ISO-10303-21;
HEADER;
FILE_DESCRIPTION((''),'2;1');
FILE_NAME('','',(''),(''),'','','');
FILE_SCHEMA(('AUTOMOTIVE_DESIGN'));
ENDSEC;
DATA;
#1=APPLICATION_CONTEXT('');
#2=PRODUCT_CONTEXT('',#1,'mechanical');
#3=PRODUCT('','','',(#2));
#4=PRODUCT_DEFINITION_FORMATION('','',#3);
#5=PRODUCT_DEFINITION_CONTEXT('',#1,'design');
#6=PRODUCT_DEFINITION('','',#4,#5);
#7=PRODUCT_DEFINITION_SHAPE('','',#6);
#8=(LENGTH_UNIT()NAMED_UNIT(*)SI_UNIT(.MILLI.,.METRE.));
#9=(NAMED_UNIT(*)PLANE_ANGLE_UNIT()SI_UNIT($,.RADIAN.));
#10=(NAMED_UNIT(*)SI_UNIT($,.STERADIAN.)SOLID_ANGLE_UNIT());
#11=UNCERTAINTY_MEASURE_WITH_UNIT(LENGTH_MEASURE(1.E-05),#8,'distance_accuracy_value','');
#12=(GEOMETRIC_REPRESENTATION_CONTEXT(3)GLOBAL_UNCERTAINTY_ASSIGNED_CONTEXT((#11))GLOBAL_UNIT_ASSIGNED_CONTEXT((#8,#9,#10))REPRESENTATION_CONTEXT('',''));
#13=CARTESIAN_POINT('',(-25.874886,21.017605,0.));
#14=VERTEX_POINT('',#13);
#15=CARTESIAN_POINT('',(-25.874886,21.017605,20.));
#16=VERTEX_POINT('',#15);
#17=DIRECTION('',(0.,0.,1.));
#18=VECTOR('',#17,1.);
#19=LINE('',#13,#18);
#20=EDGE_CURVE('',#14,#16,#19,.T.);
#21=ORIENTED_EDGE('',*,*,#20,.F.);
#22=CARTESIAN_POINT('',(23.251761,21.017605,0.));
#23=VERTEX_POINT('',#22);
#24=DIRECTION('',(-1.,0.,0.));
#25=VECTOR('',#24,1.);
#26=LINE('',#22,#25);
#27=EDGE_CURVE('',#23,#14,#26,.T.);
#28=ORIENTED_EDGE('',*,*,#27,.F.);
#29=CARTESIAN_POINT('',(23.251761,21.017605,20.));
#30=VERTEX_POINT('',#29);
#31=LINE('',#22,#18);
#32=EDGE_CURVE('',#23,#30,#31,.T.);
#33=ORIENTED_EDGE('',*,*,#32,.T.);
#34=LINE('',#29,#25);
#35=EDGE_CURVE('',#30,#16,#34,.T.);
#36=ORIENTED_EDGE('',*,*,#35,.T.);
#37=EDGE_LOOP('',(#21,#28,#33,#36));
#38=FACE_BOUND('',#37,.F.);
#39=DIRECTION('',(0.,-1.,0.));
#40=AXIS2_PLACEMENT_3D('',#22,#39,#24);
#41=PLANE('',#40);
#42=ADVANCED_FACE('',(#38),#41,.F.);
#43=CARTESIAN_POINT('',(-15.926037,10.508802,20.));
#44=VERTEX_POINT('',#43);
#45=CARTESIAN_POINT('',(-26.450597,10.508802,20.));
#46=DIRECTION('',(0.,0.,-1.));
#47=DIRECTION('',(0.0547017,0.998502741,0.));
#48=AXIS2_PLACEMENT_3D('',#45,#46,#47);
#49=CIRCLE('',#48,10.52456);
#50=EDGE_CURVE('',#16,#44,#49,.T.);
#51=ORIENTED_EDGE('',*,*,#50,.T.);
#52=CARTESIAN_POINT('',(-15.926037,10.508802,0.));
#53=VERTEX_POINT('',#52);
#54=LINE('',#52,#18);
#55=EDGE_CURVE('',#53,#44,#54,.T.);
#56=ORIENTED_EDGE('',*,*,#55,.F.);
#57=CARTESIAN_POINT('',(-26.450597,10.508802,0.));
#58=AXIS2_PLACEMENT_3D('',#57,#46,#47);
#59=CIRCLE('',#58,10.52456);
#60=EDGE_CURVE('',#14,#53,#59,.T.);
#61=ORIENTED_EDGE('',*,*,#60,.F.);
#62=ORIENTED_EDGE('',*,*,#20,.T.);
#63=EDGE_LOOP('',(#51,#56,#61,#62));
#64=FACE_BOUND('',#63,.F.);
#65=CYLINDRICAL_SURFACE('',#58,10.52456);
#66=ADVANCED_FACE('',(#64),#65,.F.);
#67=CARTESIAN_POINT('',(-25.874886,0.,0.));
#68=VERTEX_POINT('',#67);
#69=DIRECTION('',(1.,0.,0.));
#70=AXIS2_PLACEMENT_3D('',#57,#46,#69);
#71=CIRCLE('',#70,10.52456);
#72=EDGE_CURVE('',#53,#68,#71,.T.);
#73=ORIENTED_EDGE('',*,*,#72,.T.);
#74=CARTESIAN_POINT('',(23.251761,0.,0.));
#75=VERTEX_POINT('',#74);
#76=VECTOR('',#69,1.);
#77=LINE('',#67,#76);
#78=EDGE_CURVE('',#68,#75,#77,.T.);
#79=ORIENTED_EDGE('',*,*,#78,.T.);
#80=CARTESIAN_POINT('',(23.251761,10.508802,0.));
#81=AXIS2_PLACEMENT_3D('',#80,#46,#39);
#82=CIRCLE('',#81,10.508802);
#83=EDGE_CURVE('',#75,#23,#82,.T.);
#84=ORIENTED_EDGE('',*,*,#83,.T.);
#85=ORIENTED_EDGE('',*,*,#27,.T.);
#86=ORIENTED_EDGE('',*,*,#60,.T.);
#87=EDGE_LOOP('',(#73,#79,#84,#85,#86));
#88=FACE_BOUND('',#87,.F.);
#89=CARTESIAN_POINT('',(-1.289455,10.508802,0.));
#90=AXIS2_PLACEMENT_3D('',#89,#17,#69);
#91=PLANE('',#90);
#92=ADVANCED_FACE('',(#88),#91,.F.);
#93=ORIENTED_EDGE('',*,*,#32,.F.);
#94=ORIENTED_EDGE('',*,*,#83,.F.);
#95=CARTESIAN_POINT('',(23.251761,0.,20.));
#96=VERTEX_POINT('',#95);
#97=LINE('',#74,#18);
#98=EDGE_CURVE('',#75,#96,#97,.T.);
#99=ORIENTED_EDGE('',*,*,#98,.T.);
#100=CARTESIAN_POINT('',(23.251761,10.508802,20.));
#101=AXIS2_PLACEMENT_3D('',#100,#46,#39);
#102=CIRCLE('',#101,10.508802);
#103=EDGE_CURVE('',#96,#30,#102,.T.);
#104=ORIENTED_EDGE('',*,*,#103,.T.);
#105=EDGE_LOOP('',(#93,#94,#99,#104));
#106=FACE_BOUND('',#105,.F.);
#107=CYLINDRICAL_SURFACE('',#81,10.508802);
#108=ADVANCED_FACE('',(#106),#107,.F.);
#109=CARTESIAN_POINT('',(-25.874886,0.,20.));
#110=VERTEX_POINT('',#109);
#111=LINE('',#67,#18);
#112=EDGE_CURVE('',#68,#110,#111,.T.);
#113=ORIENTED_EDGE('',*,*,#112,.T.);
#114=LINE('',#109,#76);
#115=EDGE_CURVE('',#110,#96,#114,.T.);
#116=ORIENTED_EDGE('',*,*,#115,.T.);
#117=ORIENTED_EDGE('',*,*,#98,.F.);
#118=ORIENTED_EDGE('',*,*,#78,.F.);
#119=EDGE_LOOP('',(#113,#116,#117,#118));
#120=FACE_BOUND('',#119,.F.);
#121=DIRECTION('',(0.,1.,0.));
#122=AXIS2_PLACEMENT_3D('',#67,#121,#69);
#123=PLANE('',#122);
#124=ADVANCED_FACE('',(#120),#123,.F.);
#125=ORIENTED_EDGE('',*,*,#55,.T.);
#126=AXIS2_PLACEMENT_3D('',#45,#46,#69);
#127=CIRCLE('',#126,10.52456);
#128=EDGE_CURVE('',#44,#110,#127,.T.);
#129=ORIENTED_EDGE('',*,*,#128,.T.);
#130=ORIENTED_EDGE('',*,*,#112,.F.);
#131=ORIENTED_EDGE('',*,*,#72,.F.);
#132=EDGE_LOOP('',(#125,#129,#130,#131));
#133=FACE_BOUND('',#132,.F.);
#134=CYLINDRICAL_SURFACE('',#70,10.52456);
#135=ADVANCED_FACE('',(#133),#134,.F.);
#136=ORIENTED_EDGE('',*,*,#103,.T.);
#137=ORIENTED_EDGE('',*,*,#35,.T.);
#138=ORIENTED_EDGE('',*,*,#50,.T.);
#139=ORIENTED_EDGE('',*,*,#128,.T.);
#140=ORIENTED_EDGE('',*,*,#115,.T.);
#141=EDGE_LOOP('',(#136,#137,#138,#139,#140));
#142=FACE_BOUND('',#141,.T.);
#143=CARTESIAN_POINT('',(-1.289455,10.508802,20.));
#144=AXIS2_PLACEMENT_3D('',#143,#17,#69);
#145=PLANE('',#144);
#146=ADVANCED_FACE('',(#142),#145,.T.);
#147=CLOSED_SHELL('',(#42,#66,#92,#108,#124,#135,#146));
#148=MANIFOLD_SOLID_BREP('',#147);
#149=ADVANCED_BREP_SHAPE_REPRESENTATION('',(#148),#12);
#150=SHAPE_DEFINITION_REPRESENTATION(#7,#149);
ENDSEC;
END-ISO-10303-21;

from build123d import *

# Parameters (mm, degrees)
F1_DEPTH = 20


with BuildPart() as f1:
    # F0 (on Top) → F1 (new body)
    with BuildSketch(Plane.XY):
        with BuildLine():
            Line((23.2517613968, 21.0176045822), (-25.874885522, 21.0176045822))
            ThreePointArc((-25.874885522, 21.0176045822), (-18.8077741521, 17.7443831417), (-15.9260365741, 10.5088022911))
            ThreePointArc((-15.9260365741, 10.5088022911), (-18.8077741521, 3.2732214405), (-25.874885522, 0))
            Line((-25.874885522, 0), (23.2517613366, 0))
            ThreePointArc((23.2517613366, 0), (12.7429590455, 10.5088023212), (23.2517613968, 21.0176045822))
        make_face()
    extrude(amount=F1_DEPTH)


solid = f1.part
